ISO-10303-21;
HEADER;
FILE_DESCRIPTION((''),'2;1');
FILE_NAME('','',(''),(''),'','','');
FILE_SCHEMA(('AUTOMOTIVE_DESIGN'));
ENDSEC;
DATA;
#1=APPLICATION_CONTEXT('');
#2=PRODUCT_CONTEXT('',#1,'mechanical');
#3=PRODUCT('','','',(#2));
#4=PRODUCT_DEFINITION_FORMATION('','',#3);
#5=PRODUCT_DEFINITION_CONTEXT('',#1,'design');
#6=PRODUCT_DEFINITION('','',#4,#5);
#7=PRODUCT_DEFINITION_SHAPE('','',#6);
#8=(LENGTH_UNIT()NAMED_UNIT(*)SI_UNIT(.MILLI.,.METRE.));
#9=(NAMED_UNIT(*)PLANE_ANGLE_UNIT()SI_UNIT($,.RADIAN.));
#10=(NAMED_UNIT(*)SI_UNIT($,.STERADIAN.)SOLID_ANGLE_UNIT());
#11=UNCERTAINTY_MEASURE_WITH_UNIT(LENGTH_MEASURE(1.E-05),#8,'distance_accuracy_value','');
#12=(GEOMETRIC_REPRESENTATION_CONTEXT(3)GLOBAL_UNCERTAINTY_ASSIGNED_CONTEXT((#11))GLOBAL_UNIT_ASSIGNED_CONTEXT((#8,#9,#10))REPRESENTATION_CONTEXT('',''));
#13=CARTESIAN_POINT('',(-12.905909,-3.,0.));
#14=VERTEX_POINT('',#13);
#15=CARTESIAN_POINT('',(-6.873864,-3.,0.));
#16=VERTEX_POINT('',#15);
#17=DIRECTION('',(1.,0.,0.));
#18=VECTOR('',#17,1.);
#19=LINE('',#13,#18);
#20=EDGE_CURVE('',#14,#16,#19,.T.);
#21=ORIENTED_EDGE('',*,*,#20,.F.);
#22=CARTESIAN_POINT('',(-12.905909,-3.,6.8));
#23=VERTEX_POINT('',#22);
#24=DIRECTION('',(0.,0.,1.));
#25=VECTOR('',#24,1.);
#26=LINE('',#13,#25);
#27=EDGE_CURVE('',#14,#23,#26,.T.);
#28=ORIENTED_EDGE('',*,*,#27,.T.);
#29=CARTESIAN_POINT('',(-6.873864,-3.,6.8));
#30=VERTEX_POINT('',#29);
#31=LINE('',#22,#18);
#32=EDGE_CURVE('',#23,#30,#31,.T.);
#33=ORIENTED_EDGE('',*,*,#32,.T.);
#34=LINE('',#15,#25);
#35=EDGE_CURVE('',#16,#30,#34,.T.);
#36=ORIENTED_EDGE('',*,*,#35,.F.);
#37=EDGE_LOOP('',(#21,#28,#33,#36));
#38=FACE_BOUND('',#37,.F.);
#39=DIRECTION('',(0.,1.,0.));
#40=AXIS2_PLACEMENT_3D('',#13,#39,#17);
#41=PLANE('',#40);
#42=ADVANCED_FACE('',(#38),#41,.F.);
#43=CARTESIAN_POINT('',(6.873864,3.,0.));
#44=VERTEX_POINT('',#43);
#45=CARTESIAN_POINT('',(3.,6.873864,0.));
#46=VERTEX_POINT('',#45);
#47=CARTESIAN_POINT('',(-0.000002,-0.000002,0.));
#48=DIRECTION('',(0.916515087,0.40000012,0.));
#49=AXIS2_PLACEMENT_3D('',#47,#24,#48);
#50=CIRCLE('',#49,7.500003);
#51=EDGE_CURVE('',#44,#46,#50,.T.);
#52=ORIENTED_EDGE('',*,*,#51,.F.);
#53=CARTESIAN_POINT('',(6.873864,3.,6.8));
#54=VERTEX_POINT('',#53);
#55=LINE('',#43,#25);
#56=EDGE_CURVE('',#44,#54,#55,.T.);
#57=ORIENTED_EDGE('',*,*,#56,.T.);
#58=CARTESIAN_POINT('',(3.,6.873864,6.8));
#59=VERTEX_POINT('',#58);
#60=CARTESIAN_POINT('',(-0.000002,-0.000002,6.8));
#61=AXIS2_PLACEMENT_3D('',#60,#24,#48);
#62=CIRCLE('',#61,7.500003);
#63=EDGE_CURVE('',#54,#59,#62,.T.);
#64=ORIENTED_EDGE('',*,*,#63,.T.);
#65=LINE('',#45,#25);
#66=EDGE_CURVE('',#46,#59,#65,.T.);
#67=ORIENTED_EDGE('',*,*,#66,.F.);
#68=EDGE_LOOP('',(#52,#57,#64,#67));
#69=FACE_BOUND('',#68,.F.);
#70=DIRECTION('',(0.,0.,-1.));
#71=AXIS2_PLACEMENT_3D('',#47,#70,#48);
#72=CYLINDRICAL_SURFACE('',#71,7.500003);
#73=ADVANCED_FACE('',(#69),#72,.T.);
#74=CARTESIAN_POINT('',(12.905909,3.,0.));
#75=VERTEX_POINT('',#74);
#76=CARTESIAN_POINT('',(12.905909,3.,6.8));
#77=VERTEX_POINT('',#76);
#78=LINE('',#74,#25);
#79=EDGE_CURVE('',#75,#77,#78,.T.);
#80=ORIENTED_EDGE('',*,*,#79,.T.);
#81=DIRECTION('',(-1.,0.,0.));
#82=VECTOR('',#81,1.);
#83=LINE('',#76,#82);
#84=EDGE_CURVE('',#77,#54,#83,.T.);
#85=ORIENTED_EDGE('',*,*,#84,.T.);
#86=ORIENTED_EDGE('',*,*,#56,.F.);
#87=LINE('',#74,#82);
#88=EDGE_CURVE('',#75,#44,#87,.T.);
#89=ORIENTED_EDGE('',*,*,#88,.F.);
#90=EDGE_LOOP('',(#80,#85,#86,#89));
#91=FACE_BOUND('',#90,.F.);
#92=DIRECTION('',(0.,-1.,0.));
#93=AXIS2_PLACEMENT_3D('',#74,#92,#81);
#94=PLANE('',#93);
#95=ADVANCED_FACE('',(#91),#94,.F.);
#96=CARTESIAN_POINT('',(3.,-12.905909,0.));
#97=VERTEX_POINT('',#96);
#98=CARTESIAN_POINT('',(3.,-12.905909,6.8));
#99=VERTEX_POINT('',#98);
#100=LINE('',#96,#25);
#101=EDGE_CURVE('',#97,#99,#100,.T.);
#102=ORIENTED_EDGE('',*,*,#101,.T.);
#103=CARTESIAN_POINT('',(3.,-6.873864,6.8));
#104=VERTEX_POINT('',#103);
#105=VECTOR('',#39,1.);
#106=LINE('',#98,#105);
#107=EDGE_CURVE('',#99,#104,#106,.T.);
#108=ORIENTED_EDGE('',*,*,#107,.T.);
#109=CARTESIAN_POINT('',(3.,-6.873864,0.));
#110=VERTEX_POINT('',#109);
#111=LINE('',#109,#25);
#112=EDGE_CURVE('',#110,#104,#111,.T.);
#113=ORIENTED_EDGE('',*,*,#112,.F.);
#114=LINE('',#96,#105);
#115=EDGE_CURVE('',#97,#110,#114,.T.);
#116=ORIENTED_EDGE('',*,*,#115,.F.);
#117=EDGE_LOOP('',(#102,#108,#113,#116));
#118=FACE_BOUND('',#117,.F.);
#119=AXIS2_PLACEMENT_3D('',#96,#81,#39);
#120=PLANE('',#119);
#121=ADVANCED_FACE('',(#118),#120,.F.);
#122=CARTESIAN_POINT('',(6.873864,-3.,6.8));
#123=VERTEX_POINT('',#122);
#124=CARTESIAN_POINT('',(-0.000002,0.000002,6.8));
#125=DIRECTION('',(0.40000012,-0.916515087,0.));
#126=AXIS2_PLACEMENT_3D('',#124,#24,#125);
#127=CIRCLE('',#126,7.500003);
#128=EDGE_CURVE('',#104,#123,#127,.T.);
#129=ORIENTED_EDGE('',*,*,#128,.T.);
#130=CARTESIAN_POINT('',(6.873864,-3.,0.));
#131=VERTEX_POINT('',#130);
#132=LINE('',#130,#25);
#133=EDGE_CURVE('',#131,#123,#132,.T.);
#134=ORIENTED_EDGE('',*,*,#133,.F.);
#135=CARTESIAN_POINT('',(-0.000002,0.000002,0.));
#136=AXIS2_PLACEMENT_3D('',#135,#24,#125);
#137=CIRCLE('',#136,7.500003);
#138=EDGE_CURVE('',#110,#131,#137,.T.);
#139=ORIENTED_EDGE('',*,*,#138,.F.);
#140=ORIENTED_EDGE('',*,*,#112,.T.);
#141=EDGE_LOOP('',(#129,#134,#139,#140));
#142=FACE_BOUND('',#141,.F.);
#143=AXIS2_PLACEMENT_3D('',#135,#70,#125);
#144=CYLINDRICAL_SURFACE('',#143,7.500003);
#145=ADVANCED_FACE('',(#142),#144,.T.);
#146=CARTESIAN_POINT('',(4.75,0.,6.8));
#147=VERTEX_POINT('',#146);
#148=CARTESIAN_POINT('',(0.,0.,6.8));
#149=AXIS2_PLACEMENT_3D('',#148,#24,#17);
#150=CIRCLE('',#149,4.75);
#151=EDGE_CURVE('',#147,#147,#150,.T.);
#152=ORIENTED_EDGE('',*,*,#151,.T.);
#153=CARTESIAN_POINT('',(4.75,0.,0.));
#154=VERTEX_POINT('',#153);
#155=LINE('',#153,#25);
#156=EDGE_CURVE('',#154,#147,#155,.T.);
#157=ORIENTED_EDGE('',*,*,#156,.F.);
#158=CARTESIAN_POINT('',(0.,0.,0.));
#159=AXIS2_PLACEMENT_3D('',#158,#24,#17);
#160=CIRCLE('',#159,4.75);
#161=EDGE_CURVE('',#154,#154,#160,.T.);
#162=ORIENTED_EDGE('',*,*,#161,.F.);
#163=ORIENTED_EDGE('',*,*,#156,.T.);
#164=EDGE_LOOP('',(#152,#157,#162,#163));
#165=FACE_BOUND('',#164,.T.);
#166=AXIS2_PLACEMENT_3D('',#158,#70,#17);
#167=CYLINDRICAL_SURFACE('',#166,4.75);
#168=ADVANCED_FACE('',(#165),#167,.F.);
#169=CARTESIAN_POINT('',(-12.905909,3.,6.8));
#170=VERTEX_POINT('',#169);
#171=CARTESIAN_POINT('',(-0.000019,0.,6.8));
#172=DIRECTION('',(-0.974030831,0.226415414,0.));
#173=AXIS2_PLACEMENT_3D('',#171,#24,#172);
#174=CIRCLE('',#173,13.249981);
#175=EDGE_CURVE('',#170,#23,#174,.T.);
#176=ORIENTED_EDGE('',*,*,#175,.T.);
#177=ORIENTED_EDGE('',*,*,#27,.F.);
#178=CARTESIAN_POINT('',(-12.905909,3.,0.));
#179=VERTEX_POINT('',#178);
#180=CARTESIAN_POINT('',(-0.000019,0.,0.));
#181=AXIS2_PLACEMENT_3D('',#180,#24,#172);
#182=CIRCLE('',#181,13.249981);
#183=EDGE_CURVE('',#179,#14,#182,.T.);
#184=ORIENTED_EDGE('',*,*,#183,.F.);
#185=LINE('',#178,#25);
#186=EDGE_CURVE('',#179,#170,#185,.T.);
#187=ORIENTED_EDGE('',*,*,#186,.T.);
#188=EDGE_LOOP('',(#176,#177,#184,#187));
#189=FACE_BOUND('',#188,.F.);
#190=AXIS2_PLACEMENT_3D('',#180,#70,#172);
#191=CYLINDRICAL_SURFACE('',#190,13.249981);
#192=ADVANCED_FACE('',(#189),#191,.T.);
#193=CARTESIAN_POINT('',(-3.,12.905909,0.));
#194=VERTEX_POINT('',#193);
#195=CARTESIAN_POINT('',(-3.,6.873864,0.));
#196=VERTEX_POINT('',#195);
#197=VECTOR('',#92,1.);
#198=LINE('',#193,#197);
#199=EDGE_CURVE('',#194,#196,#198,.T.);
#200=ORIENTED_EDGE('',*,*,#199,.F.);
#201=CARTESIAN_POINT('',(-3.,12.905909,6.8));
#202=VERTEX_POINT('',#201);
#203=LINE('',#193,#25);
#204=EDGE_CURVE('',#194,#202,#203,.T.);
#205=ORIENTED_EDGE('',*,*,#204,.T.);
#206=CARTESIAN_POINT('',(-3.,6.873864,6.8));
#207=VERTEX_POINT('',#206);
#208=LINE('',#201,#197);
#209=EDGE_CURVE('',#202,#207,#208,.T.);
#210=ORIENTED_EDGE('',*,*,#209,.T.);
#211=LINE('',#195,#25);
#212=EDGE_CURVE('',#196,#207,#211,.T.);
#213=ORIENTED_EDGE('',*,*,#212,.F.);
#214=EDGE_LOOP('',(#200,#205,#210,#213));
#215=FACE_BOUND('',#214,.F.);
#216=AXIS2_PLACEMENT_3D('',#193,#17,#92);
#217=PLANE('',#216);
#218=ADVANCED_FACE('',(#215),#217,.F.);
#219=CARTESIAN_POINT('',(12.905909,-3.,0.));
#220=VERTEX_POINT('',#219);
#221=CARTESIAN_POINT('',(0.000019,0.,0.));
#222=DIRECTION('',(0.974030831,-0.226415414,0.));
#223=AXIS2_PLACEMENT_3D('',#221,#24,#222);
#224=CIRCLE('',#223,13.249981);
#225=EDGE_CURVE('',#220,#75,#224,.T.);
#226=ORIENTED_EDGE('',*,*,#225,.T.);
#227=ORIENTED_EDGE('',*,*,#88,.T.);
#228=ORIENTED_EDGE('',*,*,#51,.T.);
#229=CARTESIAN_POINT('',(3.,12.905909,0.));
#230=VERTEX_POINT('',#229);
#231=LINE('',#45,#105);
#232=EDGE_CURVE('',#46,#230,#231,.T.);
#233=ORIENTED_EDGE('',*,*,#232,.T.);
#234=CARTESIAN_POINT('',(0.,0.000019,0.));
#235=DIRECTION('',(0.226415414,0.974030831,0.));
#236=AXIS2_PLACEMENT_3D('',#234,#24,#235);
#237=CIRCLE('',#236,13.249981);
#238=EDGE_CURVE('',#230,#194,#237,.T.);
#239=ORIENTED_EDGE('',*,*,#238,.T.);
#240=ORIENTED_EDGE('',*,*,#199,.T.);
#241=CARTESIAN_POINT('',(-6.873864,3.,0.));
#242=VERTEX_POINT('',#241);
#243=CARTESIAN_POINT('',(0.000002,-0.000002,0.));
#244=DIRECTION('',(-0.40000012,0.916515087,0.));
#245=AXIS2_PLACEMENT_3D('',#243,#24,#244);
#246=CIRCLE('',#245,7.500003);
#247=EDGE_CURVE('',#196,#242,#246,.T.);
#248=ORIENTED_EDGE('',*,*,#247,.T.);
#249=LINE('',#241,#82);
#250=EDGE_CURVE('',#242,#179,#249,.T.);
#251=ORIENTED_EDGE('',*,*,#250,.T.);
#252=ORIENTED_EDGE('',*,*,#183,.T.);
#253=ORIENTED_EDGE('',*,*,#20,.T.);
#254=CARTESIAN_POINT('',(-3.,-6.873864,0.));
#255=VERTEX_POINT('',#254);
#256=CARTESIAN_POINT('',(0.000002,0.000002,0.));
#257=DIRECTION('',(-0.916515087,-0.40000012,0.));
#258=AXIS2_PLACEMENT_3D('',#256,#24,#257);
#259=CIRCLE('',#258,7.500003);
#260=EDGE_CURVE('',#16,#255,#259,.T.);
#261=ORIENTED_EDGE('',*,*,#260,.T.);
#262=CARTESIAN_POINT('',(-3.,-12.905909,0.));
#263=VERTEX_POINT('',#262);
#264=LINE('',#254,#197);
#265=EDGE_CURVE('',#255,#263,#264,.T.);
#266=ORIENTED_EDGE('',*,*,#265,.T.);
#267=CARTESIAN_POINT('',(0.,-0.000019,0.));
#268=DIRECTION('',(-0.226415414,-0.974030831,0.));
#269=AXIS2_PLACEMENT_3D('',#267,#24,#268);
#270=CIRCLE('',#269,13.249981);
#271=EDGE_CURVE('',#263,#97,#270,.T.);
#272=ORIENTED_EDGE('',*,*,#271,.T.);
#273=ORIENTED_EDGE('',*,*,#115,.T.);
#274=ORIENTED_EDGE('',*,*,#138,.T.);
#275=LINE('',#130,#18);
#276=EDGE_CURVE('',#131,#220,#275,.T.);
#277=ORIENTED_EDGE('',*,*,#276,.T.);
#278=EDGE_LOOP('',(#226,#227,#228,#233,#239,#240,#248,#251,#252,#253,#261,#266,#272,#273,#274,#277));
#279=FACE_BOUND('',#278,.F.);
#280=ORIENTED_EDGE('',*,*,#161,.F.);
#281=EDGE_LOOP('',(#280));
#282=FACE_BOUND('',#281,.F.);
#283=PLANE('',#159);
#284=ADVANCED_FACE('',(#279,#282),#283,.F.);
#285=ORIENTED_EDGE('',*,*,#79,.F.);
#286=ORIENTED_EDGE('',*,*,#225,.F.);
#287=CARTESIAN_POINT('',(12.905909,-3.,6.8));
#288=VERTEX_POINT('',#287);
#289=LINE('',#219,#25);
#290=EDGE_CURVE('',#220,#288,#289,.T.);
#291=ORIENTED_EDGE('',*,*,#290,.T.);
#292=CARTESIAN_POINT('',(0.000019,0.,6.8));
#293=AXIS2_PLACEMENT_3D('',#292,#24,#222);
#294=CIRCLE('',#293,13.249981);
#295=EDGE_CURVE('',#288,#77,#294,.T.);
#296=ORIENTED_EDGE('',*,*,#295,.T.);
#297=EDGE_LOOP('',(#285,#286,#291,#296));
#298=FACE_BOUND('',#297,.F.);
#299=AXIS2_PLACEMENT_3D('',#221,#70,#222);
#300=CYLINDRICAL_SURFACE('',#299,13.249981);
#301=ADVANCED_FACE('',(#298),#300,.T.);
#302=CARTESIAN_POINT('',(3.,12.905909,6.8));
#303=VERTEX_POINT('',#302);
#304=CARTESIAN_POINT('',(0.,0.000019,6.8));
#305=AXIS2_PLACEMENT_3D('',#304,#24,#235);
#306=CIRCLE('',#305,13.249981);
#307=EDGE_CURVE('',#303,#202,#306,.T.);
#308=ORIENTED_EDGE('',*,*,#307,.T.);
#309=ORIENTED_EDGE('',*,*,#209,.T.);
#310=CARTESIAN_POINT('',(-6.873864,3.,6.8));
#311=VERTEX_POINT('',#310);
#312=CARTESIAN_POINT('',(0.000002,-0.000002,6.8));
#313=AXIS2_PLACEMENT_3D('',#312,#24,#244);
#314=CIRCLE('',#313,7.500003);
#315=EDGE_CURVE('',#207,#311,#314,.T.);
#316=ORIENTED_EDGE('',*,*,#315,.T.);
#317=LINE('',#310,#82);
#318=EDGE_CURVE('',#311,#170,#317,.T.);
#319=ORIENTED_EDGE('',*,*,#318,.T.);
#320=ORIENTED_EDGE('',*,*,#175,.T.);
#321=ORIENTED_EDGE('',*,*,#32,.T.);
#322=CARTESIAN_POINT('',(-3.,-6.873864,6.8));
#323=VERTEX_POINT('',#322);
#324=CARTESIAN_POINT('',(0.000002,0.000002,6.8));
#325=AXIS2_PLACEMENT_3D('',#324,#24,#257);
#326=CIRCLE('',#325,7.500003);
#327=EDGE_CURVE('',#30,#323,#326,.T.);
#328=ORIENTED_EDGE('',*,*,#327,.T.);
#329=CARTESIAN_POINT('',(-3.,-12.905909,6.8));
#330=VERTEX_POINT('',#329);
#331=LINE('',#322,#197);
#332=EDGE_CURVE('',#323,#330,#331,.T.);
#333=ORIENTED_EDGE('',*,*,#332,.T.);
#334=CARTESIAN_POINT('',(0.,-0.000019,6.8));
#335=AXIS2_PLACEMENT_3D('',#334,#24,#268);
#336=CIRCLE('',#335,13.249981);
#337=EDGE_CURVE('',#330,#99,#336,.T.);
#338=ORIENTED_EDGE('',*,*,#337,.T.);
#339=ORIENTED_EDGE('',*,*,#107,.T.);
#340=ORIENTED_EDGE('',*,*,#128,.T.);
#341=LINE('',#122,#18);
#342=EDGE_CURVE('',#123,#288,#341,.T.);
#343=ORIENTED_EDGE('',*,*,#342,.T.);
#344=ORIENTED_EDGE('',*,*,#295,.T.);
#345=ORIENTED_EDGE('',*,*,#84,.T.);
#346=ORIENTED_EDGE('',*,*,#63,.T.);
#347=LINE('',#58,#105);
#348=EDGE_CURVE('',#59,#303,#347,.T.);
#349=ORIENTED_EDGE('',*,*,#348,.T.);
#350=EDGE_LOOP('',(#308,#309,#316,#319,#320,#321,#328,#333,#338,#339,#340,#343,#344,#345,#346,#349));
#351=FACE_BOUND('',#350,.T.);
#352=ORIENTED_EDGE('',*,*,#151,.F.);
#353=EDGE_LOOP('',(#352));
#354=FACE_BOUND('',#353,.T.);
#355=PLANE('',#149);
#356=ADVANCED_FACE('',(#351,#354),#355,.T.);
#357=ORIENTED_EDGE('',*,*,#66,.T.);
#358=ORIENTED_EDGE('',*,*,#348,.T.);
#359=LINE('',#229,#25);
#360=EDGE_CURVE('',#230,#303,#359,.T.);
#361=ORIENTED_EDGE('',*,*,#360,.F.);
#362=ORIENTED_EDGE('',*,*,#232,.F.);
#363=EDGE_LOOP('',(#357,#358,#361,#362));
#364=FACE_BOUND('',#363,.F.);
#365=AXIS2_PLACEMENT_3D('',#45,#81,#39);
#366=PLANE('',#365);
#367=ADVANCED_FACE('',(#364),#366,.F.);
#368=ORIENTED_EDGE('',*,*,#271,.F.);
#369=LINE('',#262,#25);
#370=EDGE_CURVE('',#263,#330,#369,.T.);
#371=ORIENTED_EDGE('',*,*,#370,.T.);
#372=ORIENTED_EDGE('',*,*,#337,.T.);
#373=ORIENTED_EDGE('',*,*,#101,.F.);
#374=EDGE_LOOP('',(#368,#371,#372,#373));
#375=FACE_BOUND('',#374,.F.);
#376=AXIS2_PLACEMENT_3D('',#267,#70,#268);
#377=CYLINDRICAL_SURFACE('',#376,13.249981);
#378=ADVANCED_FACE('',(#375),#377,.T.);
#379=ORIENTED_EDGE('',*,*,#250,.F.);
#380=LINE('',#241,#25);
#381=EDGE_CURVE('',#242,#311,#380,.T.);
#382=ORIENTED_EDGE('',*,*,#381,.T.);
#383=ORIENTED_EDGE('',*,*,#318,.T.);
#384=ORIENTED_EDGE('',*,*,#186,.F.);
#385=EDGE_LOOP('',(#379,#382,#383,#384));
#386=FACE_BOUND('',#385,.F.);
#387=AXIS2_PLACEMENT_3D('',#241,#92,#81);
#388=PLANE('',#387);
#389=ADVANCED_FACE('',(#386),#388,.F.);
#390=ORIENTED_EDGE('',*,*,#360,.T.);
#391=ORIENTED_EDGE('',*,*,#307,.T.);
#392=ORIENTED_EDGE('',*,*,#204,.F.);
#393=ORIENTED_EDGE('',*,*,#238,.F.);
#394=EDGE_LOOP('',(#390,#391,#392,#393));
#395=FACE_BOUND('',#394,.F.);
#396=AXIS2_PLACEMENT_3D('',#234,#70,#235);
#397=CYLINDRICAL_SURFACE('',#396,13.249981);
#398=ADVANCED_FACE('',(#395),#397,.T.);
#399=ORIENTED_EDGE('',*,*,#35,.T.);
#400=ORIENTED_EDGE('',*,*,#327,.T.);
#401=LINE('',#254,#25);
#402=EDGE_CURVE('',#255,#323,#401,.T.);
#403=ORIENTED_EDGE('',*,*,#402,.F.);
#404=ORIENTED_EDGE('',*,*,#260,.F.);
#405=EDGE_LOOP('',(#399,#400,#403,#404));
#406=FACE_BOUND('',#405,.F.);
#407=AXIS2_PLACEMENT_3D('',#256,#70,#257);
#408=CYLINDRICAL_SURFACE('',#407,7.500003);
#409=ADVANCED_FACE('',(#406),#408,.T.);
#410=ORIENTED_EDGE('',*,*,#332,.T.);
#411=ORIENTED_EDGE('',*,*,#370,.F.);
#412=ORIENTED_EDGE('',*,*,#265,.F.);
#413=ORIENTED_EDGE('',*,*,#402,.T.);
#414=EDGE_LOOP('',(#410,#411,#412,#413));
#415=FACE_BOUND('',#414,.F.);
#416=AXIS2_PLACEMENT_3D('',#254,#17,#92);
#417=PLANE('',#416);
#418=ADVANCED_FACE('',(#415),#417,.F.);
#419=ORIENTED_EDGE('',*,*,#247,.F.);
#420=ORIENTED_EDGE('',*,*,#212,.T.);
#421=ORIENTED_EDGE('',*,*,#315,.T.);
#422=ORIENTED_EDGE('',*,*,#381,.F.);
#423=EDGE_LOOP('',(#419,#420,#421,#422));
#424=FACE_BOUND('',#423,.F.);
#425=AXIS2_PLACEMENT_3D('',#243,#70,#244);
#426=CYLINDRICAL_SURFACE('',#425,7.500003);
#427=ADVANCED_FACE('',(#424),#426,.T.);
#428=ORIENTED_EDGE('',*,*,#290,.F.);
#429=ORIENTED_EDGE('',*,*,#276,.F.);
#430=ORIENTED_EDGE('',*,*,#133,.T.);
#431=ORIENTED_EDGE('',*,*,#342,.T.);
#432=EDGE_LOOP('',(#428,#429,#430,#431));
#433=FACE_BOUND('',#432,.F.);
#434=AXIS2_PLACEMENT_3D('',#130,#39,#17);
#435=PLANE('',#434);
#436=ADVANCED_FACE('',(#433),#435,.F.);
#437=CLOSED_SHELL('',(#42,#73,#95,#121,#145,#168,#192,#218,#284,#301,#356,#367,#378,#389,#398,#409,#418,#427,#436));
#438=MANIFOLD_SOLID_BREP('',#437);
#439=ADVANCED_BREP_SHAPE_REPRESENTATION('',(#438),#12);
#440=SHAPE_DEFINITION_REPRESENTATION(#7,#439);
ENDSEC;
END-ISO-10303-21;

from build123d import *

# Parameters (mm, degrees)
F0_R     = 4.75
F1_DEPTH = 6.8


with BuildPart() as f1:
    # F0 (on Top) → F1 (new body)
    with BuildSketch(Plane.XY):
        with BuildLine():
            Line((-12.905909, -3), (-6.873864, -3))
            ThreePointArc((-6.873864, -3), (-5.303301, -5.303301), (-3, -6.873864))
            Line((-3, -6.873864), (-3, -12.905909))
            ThreePointArc((-3, -12.905909), (0, -13.25), (3, -12.905909))
            Line((3, -12.905909), (3, -6.873864))
            ThreePointArc((3, -6.873864), (5.303301, -5.303301), (6.873864, -3))
            Line((6.873864, -3), (12.905909, -3))
            ThreePointArc((12.905909, -3), (13.25, 0), (12.905909, 3))
            Line((12.905909, 3), (6.873864, 3))
            ThreePointArc((6.873864, 3), (5.303301, 5.303301), (3, 6.873864))
            Line((3, 6.873864), (3, 12.905909))
            ThreePointArc((3, 12.905909), (0, 13.25), (-3, 12.905909))
            Line((-3, 12.905909), (-3, 6.873864))
            ThreePointArc((-3, 6.873864), (-5.303301, 5.303301), (-6.873864, 3))
            Line((-6.873864, 3), (-12.905909, 3))
            ThreePointArc((-12.905909, 3), (-13.25, 0), (-12.905909, -3))
        make_face()
        Circle(F0_R, mode=Mode.SUBTRACT)
    extrude(amount=F1_DEPTH)


solid = f1.part
